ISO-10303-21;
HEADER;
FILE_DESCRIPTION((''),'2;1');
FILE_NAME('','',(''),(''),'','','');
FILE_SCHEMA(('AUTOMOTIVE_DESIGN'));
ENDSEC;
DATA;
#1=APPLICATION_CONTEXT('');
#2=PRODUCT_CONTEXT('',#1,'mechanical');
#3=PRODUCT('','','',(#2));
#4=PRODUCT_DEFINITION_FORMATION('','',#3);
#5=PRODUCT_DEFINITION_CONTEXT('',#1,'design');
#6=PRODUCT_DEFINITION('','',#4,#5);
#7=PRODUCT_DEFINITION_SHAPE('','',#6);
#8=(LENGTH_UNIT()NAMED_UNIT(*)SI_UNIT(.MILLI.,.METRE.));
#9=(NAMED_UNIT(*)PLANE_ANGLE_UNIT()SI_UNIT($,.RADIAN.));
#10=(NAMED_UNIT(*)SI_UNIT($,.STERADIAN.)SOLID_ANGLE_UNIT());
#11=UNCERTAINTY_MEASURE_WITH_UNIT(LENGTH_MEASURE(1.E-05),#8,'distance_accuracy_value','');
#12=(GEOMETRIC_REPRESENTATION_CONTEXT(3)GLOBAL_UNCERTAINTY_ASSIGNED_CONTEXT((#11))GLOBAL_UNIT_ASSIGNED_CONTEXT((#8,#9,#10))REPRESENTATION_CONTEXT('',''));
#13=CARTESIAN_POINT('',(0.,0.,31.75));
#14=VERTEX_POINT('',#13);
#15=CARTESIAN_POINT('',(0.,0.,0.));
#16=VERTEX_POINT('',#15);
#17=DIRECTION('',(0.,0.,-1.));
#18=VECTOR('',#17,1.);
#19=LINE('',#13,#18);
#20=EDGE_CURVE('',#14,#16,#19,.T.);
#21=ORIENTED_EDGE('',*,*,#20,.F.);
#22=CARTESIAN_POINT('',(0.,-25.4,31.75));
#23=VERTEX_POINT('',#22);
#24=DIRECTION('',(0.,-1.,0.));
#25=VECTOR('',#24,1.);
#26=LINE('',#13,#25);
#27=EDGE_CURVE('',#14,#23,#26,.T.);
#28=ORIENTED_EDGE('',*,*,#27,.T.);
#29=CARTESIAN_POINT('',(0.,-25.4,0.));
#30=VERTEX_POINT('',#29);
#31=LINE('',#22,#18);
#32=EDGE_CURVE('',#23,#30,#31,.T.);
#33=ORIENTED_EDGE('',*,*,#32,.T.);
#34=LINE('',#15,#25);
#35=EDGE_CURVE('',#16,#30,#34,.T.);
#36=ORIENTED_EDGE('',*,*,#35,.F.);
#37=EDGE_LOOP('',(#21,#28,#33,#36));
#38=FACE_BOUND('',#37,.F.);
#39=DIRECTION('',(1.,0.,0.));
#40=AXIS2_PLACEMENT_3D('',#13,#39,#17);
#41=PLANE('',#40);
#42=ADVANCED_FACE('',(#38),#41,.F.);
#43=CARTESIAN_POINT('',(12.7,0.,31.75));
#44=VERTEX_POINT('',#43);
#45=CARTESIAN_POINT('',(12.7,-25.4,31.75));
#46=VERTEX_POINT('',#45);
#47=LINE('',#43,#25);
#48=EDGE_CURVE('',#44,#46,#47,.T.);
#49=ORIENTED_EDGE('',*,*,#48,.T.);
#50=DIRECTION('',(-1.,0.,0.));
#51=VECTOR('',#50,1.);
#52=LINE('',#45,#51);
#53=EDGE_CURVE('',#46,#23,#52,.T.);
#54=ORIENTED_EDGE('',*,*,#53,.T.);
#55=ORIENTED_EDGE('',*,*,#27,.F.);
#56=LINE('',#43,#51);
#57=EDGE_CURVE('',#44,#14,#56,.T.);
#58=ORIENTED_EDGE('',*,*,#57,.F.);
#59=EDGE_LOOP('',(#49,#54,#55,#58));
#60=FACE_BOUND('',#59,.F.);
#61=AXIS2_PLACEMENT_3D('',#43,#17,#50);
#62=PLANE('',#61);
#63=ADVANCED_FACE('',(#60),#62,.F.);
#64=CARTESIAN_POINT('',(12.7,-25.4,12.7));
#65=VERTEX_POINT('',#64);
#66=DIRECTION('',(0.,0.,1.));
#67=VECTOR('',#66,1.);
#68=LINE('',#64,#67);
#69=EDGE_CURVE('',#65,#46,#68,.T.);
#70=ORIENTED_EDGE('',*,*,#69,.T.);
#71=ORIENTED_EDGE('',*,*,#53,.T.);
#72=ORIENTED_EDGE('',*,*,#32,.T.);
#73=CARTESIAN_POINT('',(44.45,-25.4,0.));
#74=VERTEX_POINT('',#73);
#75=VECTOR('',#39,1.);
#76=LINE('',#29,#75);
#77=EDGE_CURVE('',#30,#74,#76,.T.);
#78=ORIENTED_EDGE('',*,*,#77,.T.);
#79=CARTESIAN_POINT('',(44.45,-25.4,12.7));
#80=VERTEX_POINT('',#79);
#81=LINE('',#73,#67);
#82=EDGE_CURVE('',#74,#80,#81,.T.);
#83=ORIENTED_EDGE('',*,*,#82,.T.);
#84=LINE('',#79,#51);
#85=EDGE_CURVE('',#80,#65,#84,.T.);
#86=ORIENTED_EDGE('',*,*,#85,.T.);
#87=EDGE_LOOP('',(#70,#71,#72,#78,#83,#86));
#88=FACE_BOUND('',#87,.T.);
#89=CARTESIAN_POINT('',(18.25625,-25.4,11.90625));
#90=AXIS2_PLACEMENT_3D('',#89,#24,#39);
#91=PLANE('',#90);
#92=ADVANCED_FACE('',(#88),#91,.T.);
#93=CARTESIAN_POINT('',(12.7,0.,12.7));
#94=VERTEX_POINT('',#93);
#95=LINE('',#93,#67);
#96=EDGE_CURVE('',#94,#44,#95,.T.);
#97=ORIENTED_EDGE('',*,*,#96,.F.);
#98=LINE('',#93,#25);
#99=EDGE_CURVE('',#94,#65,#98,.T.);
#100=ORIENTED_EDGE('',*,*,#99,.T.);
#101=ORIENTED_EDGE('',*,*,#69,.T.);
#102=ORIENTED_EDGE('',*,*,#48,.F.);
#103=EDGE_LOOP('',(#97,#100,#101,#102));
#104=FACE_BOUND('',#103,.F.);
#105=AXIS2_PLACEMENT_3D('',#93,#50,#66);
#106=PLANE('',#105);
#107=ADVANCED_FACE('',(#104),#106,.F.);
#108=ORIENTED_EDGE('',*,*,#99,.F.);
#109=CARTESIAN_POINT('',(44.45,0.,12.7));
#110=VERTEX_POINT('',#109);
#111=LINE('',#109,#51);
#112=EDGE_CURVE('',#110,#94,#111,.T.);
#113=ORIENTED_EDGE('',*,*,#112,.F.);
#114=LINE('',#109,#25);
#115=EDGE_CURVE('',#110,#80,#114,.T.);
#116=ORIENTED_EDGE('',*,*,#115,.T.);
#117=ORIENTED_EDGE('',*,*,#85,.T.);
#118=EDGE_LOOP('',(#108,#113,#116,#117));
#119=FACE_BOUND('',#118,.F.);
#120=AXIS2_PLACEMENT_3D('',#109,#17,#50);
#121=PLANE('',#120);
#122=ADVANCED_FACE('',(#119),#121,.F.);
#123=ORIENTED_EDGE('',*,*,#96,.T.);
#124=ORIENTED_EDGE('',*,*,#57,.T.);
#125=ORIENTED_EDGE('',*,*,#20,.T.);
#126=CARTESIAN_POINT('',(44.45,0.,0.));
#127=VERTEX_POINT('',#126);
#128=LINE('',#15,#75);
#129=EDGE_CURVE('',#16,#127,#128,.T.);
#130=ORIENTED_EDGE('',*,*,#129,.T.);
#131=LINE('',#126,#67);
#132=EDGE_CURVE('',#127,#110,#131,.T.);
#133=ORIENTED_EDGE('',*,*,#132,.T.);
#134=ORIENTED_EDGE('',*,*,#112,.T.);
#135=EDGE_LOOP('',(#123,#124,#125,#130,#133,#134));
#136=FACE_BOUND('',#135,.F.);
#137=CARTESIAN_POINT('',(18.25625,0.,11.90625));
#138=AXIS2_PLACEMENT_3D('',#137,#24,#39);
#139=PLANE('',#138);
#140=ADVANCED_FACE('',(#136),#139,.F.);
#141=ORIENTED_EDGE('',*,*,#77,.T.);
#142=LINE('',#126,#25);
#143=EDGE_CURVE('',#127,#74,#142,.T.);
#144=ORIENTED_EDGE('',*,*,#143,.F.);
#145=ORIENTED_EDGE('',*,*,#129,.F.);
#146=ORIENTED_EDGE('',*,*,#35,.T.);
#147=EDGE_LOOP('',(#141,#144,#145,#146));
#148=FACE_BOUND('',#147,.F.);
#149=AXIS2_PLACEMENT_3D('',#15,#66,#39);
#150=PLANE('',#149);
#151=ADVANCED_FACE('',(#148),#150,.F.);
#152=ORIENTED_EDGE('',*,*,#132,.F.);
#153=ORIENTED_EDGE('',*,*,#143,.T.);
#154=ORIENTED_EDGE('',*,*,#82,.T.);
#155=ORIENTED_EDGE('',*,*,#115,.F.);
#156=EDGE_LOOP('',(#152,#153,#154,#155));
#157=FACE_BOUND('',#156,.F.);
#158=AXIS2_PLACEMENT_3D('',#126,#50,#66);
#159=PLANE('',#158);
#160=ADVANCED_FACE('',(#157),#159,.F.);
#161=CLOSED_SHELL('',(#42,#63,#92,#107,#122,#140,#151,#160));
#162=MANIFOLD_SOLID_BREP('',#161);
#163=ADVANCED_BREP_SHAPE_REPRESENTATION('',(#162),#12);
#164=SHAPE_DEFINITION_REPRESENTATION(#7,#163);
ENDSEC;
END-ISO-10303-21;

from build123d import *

# Parameters (mm, degrees)
F1_DEPTH = 25.4
F2_W     = 6.35
F2_H     = 19.05
F3_DEPTH = 25.4


with BuildPart() as f1:
    # F0 (on Front) → F1 (new body)
    with BuildSketch(Plane.XZ):
        Polygon((0, 31.75), (0, 0), (44.45, 0), (44.45, 12.7), (12.7, 12.7), (12.7, 31.75), align=None)
    extrude(amount=F1_DEPTH)

    # F2 (on face) → F3 (cut)
    with BuildSketch(Plane.YZ.offset(44.45)):
        with Locations((-13.046602, 22.225)):
            Rectangle(F2_W, F2_H)
    extrude(amount=-F3_DEPTH, mode=Mode.SUBTRACT)


solid = f1.part
